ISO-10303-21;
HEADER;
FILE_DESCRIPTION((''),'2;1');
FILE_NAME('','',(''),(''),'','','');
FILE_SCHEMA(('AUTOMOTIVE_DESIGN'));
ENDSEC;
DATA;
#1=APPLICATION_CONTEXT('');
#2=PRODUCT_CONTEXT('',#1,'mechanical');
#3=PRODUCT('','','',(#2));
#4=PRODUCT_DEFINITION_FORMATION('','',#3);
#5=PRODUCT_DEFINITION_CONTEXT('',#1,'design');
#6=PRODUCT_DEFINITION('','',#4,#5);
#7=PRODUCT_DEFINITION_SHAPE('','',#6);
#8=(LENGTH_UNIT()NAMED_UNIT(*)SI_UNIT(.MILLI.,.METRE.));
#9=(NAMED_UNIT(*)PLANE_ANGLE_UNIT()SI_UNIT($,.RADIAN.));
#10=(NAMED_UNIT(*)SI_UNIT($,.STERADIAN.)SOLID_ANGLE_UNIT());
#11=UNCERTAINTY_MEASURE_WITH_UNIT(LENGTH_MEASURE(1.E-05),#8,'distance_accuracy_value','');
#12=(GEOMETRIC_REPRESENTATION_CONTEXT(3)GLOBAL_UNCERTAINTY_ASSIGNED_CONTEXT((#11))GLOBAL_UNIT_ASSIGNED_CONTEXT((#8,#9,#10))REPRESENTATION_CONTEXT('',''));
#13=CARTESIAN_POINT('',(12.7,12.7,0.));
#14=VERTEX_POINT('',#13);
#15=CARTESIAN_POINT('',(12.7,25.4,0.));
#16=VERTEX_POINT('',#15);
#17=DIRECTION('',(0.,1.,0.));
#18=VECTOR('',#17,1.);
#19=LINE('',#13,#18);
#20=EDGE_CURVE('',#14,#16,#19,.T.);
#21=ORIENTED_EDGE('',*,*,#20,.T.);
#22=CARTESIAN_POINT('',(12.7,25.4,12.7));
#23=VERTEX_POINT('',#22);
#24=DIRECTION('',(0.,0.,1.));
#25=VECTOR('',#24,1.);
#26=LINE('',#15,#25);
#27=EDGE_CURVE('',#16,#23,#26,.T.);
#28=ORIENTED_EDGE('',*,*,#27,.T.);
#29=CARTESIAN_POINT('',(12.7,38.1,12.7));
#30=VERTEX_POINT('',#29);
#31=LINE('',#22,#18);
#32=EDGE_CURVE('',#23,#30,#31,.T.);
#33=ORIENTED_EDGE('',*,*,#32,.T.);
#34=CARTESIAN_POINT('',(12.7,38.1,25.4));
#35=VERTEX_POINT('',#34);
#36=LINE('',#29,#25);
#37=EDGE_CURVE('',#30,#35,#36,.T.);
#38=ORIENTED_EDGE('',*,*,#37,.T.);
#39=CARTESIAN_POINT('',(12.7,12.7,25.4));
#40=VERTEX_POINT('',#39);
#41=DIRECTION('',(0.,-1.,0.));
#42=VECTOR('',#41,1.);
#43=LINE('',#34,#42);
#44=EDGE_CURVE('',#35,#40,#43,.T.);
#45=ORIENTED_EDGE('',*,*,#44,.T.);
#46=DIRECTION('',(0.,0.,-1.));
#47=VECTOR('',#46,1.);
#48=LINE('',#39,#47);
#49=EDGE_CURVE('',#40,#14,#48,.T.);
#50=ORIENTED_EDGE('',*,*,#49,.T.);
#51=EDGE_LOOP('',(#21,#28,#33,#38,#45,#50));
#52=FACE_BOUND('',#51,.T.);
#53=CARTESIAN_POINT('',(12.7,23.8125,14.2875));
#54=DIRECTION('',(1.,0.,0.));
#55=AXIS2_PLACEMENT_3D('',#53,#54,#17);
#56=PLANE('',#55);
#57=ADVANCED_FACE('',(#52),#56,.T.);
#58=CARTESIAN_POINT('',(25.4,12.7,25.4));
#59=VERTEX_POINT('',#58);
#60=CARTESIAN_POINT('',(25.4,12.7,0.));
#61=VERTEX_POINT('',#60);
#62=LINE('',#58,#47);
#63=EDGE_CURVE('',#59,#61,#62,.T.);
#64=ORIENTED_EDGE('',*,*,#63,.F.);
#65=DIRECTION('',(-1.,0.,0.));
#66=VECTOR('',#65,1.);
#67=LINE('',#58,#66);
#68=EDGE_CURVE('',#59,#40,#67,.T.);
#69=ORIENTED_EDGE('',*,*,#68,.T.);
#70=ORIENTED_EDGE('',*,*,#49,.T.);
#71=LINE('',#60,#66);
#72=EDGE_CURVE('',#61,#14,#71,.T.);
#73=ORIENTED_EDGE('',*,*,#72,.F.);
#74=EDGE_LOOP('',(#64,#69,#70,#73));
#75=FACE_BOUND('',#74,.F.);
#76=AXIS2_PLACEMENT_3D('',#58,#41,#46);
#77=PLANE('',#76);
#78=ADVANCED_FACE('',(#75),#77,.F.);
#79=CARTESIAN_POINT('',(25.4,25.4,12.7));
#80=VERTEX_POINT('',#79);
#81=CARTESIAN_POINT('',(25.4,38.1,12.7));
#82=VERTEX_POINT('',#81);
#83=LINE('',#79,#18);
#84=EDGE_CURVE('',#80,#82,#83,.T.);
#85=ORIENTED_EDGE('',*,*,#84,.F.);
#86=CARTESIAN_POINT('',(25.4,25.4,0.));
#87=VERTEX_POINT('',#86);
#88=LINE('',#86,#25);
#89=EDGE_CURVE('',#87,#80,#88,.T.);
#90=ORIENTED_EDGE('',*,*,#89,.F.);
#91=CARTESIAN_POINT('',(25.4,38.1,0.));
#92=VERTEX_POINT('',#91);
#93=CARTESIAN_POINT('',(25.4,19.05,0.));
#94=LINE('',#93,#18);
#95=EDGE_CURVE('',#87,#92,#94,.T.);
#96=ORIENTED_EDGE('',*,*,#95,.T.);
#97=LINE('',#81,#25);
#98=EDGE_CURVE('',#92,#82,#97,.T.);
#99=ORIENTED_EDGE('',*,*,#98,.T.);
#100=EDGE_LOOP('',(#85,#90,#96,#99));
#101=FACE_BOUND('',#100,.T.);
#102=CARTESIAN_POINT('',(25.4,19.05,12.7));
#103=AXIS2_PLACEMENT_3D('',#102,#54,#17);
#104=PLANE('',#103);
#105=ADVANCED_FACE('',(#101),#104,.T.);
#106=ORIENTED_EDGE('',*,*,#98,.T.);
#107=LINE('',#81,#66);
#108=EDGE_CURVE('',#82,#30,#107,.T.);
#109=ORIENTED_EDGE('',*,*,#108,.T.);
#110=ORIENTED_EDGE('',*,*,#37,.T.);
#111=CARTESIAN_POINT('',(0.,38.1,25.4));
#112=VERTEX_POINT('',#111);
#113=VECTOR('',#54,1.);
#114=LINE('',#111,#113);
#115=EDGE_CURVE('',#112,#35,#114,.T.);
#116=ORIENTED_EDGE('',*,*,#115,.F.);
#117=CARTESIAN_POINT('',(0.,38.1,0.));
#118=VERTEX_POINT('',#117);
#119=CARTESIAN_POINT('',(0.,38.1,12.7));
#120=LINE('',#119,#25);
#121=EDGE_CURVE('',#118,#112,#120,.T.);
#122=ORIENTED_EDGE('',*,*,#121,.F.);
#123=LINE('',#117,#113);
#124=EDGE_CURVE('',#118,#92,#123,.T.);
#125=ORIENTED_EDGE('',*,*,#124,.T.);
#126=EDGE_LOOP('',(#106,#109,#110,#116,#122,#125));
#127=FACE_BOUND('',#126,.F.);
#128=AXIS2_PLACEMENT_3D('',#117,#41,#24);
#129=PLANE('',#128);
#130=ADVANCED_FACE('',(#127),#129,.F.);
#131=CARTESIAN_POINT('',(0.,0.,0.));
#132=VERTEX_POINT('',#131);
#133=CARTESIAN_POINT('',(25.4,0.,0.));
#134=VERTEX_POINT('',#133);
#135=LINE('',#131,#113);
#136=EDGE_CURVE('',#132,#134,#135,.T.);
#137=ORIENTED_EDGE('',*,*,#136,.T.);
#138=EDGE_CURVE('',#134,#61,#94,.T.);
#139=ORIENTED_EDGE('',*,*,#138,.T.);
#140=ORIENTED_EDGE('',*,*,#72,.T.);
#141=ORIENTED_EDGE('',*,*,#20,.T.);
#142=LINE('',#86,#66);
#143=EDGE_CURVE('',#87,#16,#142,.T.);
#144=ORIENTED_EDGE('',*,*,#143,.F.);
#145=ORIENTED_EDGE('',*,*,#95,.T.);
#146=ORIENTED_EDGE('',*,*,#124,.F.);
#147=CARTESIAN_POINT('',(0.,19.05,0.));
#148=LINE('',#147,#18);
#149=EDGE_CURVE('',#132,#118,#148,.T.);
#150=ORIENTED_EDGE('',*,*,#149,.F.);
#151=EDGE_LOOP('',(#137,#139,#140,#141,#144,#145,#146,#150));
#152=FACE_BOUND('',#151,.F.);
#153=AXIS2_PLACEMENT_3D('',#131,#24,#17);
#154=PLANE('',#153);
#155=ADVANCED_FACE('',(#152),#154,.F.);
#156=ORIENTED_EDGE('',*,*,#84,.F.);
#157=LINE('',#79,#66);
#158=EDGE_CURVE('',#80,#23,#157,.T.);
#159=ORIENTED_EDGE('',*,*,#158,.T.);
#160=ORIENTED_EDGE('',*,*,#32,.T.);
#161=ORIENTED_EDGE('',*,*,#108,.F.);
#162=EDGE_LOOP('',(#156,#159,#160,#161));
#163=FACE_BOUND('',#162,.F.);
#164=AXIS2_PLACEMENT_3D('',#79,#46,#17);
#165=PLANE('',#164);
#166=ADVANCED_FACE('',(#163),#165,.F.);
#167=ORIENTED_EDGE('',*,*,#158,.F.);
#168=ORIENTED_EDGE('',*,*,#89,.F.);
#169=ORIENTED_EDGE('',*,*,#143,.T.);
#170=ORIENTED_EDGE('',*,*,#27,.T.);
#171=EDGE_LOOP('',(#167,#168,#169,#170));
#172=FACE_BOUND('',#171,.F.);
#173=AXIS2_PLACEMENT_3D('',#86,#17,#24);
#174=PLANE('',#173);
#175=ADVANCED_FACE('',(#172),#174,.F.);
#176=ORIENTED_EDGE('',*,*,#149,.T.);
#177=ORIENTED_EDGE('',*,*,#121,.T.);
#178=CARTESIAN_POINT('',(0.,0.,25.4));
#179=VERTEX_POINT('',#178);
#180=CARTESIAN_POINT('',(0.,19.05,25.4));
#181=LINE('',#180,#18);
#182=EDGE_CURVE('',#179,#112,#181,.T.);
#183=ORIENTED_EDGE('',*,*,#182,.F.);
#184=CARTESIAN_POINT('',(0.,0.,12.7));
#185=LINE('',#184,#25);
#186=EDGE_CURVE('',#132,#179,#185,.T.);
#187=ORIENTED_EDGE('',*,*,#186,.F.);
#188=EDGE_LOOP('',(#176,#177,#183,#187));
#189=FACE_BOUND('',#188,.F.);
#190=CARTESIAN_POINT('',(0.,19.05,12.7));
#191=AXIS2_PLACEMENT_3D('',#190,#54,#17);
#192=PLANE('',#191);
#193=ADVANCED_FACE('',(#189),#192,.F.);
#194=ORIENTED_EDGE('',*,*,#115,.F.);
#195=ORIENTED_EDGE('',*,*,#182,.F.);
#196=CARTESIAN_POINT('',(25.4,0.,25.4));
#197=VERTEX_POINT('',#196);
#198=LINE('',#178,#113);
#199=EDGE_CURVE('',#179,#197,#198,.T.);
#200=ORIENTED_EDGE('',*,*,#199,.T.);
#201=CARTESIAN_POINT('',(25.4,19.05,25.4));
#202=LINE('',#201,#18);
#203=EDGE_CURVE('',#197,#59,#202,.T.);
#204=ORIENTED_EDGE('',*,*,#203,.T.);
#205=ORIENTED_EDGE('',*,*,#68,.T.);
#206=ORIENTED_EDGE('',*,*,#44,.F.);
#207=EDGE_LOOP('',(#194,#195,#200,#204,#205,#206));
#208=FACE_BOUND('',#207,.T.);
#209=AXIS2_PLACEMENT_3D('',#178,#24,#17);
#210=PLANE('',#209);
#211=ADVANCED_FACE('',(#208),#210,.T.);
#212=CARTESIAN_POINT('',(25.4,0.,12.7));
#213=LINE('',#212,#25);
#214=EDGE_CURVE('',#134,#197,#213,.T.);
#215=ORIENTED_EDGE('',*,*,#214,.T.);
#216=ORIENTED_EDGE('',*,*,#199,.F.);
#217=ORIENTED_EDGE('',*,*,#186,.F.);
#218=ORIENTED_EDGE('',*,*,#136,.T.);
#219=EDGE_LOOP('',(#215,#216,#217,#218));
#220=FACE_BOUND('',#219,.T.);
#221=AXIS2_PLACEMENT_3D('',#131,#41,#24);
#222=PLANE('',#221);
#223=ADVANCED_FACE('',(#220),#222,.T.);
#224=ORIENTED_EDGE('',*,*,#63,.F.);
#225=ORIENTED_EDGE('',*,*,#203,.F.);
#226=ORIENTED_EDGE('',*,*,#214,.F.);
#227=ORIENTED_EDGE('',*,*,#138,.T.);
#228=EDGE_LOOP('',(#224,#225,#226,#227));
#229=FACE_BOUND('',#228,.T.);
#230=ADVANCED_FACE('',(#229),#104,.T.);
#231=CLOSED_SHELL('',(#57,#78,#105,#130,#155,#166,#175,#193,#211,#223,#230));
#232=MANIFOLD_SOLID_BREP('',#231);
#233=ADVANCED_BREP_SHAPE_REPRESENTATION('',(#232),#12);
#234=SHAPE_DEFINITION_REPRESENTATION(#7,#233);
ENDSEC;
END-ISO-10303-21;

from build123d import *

# Parameters (mm, degrees)
F0_W     = 38.1
F0_H     = 25.4
F1_DEPTH = 25.4
F3_DEPTH = 12.7


with BuildPart() as f1:
    # F0 (on Right) → F1 (new body)
    with BuildSketch(Plane.YZ):
        with Locations((19.05, 12.7)):
            Rectangle(F0_W, F0_H)
    extrude(amount=F1_DEPTH)

    # F2 (on face) → F3 (cut)
    with BuildSketch(Plane.YZ.offset(25.4)):
        Polygon((12.7, 0), (25.4, 0), (25.4, 12.7), (38.1, 12.7), (38.1, 25.4), (12.7, 25.4), align=None)
    extrude(amount=-F3_DEPTH, mode=Mode.SUBTRACT)


solid = f1.part
